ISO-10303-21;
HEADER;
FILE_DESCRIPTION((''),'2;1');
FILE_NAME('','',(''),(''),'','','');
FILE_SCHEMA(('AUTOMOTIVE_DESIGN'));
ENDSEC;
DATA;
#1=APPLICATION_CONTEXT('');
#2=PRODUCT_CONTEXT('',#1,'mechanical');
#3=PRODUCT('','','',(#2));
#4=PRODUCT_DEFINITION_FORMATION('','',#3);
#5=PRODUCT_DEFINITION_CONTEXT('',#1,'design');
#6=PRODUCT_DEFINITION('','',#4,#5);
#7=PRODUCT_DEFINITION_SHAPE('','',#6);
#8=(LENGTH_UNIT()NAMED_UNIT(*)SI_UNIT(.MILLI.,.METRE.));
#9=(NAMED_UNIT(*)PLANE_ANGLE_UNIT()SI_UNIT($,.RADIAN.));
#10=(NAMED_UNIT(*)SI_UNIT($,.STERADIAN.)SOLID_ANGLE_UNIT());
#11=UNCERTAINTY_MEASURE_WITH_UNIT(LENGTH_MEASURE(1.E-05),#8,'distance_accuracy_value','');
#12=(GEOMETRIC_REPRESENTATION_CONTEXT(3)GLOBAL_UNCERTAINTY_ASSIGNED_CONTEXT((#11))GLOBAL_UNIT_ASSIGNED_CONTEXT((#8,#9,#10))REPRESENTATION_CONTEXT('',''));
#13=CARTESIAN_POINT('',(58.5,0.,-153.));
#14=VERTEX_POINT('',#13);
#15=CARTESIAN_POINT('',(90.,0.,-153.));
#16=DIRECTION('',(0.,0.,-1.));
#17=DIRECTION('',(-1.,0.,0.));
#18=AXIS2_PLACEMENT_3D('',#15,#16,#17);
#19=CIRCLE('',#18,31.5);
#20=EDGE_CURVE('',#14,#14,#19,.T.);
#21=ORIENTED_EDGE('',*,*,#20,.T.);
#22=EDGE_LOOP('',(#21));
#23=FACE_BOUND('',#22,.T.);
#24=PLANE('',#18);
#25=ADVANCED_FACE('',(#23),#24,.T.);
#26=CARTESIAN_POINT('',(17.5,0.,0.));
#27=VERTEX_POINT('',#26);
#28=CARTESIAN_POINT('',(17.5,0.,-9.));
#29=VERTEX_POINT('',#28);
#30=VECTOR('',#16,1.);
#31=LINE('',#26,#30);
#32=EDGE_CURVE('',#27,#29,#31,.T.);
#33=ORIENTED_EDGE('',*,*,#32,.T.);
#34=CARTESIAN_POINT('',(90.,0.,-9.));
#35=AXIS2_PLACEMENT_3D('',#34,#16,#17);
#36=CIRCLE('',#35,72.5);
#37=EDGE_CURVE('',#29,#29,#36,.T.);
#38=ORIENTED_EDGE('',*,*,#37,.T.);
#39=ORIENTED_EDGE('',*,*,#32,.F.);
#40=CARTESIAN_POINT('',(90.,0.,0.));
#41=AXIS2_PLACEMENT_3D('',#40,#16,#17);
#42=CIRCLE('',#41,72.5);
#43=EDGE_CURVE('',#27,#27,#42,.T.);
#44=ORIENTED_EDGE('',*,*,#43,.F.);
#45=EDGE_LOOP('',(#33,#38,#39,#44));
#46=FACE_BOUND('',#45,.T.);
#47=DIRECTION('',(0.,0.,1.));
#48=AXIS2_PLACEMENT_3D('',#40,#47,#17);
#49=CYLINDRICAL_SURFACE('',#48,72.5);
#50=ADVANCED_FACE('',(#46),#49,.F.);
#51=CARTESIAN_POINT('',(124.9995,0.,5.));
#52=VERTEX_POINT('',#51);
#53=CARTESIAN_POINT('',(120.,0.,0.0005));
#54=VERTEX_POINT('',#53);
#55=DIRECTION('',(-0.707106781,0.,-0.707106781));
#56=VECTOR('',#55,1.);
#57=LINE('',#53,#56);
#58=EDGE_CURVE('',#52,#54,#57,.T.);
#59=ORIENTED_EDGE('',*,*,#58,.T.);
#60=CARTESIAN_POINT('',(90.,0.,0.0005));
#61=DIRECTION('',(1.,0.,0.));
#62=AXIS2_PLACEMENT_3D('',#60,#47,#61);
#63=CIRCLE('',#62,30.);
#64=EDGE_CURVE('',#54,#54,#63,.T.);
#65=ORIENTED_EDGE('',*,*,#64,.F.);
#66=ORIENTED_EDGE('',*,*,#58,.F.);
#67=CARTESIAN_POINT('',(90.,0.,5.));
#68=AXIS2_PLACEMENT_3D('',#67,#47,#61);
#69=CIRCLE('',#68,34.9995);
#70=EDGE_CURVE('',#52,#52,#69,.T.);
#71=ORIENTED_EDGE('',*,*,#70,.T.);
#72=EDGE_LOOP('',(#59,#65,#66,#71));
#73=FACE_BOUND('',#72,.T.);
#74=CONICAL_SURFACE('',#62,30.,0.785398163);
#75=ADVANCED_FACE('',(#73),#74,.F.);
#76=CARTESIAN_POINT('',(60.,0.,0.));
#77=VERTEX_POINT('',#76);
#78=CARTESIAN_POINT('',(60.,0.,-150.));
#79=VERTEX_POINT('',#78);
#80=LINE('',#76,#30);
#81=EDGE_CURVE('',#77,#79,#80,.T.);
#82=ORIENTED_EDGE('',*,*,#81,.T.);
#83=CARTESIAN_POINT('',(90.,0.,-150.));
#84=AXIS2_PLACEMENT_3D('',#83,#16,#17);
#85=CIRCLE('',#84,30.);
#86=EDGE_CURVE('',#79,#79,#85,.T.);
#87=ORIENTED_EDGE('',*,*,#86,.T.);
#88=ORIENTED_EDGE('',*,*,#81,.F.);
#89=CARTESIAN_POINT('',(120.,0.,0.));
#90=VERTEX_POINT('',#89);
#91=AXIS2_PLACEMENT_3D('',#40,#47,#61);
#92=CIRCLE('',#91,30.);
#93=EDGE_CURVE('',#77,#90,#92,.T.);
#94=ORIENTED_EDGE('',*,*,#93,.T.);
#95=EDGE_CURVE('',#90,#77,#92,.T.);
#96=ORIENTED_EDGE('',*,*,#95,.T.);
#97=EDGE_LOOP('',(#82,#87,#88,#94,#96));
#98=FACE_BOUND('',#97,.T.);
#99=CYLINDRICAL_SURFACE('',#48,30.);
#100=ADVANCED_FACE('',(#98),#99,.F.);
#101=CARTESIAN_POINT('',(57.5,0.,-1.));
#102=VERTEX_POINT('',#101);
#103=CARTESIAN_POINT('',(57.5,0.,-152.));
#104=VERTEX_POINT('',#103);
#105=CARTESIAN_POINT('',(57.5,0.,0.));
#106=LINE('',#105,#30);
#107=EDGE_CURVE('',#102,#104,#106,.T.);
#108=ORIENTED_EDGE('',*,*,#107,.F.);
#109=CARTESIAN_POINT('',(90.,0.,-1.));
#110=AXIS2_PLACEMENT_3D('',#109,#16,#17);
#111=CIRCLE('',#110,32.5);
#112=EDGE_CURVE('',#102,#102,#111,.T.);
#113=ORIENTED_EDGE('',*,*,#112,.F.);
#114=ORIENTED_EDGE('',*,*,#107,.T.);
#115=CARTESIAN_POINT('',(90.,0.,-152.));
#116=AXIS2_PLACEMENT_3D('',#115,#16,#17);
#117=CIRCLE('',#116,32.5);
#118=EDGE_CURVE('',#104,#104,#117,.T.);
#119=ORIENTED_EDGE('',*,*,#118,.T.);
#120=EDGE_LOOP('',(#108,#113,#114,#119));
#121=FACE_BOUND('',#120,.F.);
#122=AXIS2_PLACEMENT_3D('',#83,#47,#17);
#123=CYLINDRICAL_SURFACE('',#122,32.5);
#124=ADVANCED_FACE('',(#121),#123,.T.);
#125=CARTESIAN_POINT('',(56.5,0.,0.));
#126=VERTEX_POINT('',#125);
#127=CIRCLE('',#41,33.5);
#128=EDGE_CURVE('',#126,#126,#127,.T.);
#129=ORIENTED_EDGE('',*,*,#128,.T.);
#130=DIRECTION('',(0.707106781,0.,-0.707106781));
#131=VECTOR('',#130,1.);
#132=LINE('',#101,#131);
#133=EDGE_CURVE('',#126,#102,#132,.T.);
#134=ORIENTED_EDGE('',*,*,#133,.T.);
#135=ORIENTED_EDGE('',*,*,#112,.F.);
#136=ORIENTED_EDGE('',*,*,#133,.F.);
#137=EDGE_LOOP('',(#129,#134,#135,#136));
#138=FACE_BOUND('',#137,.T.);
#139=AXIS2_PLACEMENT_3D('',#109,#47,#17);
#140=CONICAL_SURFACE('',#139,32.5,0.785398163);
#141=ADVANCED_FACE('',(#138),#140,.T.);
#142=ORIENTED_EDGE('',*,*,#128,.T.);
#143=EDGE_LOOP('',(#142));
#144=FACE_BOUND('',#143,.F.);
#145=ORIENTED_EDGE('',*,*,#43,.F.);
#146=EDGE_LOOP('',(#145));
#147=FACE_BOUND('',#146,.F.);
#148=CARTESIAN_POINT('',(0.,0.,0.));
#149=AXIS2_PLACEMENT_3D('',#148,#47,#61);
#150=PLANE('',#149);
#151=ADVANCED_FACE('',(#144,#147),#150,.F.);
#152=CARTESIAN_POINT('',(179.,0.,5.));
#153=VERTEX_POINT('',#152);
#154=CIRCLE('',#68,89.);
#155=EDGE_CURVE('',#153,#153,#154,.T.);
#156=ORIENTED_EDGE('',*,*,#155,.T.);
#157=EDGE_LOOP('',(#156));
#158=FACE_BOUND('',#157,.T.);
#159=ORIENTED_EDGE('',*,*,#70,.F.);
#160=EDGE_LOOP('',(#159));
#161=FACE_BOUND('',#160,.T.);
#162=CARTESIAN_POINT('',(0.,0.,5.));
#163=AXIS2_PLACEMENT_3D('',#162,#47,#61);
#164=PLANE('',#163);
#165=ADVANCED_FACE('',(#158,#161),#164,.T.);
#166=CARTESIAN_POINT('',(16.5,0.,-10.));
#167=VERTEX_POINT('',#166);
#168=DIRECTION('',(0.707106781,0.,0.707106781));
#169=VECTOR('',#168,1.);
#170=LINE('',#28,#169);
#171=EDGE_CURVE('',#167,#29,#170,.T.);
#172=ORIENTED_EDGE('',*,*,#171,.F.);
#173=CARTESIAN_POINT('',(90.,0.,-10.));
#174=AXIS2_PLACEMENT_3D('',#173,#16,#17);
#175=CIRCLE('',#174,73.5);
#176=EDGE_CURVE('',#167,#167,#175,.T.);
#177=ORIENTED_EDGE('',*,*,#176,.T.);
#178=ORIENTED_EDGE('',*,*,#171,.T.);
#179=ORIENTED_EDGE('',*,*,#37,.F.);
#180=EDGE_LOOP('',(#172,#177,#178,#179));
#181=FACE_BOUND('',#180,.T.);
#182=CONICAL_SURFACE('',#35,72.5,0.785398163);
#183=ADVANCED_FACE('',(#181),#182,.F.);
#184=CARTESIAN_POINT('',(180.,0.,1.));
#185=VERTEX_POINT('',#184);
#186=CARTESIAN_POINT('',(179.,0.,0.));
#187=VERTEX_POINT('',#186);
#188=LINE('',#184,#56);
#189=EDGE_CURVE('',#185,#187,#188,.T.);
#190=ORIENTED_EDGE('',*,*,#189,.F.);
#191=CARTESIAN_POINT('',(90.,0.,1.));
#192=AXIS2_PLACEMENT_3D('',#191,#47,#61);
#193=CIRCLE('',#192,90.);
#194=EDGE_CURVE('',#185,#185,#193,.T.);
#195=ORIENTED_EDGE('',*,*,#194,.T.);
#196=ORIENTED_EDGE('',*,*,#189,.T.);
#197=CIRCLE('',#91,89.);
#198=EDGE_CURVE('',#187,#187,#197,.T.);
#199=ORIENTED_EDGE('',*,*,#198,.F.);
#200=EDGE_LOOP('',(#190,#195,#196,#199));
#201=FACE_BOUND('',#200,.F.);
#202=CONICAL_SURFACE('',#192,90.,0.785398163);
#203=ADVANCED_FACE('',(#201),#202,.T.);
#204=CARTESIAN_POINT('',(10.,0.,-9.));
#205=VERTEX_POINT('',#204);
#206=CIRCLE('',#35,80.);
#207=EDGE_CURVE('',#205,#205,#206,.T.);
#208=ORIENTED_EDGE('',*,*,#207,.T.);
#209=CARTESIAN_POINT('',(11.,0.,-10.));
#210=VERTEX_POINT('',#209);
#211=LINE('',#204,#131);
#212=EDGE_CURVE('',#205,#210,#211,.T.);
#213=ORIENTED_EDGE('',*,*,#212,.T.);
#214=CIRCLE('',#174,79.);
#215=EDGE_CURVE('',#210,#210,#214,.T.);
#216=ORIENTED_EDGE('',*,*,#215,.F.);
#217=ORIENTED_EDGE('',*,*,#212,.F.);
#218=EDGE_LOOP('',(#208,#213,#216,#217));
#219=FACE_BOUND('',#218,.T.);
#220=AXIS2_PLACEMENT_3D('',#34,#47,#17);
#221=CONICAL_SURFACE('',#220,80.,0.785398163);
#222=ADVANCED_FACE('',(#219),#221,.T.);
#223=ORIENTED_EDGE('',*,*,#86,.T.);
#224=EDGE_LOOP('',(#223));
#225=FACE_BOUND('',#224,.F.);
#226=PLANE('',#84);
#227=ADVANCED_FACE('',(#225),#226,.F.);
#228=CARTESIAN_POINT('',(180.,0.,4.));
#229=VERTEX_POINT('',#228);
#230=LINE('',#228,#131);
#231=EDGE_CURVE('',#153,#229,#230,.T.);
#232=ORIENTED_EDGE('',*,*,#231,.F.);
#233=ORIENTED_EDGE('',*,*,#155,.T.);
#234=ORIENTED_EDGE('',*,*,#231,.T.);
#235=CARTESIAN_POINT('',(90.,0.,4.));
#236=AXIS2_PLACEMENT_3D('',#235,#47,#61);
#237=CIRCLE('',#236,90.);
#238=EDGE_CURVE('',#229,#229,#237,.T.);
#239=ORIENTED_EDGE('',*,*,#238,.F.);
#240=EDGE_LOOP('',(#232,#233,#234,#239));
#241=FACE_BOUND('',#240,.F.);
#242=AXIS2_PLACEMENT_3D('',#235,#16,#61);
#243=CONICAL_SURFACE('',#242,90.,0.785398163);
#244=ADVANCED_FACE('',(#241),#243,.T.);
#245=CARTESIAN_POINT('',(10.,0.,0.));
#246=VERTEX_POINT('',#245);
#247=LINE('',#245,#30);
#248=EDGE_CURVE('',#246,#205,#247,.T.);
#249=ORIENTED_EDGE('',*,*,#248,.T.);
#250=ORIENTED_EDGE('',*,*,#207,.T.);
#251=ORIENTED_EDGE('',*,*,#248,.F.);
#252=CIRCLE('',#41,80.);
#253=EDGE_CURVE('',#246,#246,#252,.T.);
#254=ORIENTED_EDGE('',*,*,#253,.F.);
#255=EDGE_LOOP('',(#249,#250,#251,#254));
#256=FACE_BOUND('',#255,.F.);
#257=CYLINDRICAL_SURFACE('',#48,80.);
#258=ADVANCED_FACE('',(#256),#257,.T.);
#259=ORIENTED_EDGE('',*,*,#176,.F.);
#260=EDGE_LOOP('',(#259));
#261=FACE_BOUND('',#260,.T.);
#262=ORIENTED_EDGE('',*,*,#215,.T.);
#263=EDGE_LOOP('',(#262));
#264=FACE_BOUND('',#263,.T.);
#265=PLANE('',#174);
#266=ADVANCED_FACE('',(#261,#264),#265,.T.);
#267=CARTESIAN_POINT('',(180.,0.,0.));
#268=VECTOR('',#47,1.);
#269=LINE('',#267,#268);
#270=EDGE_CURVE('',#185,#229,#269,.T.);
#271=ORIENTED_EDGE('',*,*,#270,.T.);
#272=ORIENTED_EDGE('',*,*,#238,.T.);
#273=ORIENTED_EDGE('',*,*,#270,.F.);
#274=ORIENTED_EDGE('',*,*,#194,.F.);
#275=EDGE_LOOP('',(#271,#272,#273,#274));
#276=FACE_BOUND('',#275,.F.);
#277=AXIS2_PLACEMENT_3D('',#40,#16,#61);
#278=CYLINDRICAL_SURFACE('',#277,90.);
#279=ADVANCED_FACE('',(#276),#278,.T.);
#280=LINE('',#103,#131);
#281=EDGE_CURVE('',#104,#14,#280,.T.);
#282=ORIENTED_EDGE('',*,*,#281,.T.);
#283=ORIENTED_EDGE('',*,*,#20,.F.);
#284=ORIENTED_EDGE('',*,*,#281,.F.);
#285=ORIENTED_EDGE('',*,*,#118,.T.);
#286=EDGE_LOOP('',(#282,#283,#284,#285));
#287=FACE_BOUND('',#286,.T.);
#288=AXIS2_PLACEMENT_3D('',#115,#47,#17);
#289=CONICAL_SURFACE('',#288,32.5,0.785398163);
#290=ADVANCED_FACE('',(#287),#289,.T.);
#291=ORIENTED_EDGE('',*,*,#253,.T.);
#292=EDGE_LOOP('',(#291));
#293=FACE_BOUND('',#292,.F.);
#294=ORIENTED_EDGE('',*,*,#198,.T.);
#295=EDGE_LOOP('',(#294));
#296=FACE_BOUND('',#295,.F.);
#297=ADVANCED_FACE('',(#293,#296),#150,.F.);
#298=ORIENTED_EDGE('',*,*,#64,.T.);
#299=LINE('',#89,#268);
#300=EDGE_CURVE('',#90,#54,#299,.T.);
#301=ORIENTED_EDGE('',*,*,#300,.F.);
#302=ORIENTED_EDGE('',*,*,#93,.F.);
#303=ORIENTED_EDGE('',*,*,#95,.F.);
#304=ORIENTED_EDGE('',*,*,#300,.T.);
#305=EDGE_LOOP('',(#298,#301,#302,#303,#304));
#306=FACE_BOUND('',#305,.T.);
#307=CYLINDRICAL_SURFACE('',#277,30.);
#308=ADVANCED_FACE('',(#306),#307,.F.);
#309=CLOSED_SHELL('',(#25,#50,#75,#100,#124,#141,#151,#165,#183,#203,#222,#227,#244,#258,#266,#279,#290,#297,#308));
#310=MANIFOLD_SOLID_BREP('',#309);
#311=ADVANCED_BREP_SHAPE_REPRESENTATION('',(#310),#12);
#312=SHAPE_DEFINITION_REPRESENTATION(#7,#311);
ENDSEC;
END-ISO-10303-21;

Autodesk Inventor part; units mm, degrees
ref_plane "YZ Plane" through (0, 0, 0) normal (1, 0, 0) x (0, 1, 0)
ref_plane "XZ Plane" through (0, 0, 0) normal (0, 1, 0) x (-1, 0, 0)
ref_plane "XY Plane" through (0, 0, 0) normal (0, 0, 1) x (1, 0, 0)
ref_plane "Płaszczyzna konstrukcyjna1" through (0, 0, 0) normal (0, 0, 1) x (1, 0, 0)
sketch "Szkic1" plane through (0, 0, 0) normal (0, 0, 1) x (1, 0, 0)
  circle A0 centre (90, 0) radius 90 projected
  circle A1 centre (90, 0) radius 80 projected
  circle A2 centre (90, 0) radius 80
  circle A3 centre (90, 0) radius 72.5
  circle A4 centre (90, 0) radius 30
  point P0 (0, 0)
  dimension "d0" = 145
  dimension "d1" = 60
extrude "Wyciągnięcie proste1" add sketch "Szkic1" along normal blind 5 contours A0 | A1 | A3
sketch "Szkic2" plane through (90, 0, 0) normal (0, 0, -1) x (-1, 0, 0)
  circle A0 centre (0, 0) radius 30
  circle A1 centre (0, 0) radius 32.5
  point P0 (90, 0)
  dimension "d4" = 65
extrude "Wyciągnięcie proste2" add sketch "Szkic2" along normal blind 150
sketch "Szkic3" plane through (90, 0, -150) normal (0, 0, -1) x (-1, 0, 0)
  circle A0 centre (0, 0) radius 32.5
  point P0 (90, 0)
extrude "Wyciągnięcie proste3" add sketch "Szkic3" along normal blind 3
chamfer "Faza1" distance 1 angle 45 1 edges at (122.5, 0, -153)
chamfer "Faza2" distance 5 angle 45 1 edges at (60, 0, 5)
sketch "Szkic4" plane through (90, 0, 0) normal (0, 0, -1) x (-1, 0, 0)
  circle A0 centre (0, 0) radius 80 projected
  circle A1 centre (0, 0) radius 80
  circle A2 centre (0, 0) radius 72.5
  point P0 (90, 0)
  dimension "d15" = 145
extrude "Wyciągnięcie proste4" add sketch "Szkic4" along normal blind 10
chamfer "Faza3" distance 1 angle 45 5 edges at (0, 0, 5) (0, 0, 0) (170, 0, -10) (162.5, 0, -10) (122.5, 0, 0)
properties part number "dekiel" material "Stal nierdzewna"
